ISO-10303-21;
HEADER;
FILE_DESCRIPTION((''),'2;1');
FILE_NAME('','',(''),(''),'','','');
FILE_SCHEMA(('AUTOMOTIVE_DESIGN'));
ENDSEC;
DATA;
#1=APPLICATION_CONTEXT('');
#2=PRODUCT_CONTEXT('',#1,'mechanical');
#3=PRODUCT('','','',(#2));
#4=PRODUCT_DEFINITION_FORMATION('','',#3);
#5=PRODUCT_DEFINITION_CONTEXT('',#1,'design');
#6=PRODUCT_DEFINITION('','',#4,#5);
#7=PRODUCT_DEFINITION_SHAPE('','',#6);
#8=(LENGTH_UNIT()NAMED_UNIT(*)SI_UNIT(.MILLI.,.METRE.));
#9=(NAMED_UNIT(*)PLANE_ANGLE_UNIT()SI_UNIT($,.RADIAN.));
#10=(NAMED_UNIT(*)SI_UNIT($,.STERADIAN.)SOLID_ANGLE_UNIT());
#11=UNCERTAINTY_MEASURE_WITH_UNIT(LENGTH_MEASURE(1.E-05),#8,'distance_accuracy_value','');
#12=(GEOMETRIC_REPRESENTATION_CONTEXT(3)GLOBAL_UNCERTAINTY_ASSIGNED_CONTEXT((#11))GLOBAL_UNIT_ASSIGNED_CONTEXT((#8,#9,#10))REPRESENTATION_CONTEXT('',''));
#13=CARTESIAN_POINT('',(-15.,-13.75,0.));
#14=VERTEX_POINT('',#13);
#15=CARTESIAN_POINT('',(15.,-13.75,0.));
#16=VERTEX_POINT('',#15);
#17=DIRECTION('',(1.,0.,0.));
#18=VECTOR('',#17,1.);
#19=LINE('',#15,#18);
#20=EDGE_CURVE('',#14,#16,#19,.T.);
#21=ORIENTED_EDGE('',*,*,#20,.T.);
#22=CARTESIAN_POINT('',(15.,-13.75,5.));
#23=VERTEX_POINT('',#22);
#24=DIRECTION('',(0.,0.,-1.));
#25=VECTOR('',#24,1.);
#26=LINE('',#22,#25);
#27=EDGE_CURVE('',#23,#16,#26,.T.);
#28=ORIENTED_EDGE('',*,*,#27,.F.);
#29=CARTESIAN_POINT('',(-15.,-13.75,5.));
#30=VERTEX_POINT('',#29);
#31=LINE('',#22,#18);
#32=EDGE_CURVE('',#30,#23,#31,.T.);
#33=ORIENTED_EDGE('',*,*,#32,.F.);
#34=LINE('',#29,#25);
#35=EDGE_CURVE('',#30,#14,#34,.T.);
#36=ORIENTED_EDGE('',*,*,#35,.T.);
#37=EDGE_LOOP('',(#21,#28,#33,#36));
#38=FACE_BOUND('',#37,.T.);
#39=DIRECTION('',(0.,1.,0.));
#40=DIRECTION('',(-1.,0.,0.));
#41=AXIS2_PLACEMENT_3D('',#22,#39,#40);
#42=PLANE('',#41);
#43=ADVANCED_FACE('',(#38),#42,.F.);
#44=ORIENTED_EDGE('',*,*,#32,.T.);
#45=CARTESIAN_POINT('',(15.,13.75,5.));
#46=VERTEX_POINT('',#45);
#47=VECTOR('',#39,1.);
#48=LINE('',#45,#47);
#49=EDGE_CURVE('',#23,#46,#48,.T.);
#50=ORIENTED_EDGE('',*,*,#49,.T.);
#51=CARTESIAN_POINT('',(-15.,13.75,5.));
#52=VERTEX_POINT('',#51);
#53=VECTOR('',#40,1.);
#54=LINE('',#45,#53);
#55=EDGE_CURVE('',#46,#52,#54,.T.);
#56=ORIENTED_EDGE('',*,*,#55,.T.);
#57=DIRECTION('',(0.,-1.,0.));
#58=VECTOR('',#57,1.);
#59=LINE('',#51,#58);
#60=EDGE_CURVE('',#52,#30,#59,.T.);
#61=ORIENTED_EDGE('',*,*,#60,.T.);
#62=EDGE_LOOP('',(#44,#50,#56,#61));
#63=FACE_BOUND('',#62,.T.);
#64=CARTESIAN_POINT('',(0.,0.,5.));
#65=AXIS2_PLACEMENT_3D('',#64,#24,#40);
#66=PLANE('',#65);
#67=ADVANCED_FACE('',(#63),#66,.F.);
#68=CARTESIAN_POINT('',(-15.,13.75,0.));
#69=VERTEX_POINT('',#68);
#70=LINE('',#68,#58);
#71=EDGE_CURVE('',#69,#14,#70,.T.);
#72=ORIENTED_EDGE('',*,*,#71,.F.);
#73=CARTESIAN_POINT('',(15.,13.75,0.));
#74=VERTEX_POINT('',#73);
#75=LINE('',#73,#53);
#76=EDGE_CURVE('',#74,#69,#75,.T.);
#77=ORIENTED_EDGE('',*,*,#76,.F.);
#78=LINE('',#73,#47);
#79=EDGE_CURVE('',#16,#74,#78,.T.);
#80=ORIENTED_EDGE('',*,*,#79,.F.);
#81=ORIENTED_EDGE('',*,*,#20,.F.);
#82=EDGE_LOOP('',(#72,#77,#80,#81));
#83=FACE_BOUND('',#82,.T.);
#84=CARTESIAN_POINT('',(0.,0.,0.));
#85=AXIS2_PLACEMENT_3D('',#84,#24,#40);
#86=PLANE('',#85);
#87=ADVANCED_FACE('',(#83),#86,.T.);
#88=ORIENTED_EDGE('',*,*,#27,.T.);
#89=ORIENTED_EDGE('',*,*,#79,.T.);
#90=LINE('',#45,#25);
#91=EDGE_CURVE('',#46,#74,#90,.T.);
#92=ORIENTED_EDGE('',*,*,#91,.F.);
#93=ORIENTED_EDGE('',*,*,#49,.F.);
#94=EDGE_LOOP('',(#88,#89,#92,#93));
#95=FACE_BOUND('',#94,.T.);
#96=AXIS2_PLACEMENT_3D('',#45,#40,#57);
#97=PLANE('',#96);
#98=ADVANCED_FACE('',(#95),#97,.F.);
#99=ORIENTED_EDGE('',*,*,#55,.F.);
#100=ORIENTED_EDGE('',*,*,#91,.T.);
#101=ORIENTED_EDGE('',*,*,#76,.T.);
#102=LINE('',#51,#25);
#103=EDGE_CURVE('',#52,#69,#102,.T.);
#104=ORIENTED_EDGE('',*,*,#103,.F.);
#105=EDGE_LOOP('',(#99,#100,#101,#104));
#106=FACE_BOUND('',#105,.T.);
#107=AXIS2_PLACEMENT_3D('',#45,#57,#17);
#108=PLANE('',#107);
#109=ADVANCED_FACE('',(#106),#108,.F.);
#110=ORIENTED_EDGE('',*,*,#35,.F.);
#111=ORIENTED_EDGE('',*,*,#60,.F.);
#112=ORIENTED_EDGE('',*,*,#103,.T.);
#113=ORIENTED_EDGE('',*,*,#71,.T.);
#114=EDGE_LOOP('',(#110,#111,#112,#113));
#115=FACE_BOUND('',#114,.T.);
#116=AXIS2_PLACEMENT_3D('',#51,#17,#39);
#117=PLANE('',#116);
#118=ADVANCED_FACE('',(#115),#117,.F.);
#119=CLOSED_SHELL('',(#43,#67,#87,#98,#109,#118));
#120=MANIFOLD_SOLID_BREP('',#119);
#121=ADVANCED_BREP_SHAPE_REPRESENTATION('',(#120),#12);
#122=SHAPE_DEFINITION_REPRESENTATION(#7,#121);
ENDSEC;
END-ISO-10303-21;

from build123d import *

# Parameters (mm, degrees)
SKETCH_1_W      = 30
SKETCH_1_H      = 27.5
EXTRUDE_1_DEPTH = 5


with BuildPart() as part:
    # 草图1 → 凸台-拉伸1 (new body)
    with BuildSketch(Plane.XY):
        Rectangle(SKETCH_1_W, SKETCH_1_H)
    extrude(amount=EXTRUDE_1_DEPTH)


solid = part.part
